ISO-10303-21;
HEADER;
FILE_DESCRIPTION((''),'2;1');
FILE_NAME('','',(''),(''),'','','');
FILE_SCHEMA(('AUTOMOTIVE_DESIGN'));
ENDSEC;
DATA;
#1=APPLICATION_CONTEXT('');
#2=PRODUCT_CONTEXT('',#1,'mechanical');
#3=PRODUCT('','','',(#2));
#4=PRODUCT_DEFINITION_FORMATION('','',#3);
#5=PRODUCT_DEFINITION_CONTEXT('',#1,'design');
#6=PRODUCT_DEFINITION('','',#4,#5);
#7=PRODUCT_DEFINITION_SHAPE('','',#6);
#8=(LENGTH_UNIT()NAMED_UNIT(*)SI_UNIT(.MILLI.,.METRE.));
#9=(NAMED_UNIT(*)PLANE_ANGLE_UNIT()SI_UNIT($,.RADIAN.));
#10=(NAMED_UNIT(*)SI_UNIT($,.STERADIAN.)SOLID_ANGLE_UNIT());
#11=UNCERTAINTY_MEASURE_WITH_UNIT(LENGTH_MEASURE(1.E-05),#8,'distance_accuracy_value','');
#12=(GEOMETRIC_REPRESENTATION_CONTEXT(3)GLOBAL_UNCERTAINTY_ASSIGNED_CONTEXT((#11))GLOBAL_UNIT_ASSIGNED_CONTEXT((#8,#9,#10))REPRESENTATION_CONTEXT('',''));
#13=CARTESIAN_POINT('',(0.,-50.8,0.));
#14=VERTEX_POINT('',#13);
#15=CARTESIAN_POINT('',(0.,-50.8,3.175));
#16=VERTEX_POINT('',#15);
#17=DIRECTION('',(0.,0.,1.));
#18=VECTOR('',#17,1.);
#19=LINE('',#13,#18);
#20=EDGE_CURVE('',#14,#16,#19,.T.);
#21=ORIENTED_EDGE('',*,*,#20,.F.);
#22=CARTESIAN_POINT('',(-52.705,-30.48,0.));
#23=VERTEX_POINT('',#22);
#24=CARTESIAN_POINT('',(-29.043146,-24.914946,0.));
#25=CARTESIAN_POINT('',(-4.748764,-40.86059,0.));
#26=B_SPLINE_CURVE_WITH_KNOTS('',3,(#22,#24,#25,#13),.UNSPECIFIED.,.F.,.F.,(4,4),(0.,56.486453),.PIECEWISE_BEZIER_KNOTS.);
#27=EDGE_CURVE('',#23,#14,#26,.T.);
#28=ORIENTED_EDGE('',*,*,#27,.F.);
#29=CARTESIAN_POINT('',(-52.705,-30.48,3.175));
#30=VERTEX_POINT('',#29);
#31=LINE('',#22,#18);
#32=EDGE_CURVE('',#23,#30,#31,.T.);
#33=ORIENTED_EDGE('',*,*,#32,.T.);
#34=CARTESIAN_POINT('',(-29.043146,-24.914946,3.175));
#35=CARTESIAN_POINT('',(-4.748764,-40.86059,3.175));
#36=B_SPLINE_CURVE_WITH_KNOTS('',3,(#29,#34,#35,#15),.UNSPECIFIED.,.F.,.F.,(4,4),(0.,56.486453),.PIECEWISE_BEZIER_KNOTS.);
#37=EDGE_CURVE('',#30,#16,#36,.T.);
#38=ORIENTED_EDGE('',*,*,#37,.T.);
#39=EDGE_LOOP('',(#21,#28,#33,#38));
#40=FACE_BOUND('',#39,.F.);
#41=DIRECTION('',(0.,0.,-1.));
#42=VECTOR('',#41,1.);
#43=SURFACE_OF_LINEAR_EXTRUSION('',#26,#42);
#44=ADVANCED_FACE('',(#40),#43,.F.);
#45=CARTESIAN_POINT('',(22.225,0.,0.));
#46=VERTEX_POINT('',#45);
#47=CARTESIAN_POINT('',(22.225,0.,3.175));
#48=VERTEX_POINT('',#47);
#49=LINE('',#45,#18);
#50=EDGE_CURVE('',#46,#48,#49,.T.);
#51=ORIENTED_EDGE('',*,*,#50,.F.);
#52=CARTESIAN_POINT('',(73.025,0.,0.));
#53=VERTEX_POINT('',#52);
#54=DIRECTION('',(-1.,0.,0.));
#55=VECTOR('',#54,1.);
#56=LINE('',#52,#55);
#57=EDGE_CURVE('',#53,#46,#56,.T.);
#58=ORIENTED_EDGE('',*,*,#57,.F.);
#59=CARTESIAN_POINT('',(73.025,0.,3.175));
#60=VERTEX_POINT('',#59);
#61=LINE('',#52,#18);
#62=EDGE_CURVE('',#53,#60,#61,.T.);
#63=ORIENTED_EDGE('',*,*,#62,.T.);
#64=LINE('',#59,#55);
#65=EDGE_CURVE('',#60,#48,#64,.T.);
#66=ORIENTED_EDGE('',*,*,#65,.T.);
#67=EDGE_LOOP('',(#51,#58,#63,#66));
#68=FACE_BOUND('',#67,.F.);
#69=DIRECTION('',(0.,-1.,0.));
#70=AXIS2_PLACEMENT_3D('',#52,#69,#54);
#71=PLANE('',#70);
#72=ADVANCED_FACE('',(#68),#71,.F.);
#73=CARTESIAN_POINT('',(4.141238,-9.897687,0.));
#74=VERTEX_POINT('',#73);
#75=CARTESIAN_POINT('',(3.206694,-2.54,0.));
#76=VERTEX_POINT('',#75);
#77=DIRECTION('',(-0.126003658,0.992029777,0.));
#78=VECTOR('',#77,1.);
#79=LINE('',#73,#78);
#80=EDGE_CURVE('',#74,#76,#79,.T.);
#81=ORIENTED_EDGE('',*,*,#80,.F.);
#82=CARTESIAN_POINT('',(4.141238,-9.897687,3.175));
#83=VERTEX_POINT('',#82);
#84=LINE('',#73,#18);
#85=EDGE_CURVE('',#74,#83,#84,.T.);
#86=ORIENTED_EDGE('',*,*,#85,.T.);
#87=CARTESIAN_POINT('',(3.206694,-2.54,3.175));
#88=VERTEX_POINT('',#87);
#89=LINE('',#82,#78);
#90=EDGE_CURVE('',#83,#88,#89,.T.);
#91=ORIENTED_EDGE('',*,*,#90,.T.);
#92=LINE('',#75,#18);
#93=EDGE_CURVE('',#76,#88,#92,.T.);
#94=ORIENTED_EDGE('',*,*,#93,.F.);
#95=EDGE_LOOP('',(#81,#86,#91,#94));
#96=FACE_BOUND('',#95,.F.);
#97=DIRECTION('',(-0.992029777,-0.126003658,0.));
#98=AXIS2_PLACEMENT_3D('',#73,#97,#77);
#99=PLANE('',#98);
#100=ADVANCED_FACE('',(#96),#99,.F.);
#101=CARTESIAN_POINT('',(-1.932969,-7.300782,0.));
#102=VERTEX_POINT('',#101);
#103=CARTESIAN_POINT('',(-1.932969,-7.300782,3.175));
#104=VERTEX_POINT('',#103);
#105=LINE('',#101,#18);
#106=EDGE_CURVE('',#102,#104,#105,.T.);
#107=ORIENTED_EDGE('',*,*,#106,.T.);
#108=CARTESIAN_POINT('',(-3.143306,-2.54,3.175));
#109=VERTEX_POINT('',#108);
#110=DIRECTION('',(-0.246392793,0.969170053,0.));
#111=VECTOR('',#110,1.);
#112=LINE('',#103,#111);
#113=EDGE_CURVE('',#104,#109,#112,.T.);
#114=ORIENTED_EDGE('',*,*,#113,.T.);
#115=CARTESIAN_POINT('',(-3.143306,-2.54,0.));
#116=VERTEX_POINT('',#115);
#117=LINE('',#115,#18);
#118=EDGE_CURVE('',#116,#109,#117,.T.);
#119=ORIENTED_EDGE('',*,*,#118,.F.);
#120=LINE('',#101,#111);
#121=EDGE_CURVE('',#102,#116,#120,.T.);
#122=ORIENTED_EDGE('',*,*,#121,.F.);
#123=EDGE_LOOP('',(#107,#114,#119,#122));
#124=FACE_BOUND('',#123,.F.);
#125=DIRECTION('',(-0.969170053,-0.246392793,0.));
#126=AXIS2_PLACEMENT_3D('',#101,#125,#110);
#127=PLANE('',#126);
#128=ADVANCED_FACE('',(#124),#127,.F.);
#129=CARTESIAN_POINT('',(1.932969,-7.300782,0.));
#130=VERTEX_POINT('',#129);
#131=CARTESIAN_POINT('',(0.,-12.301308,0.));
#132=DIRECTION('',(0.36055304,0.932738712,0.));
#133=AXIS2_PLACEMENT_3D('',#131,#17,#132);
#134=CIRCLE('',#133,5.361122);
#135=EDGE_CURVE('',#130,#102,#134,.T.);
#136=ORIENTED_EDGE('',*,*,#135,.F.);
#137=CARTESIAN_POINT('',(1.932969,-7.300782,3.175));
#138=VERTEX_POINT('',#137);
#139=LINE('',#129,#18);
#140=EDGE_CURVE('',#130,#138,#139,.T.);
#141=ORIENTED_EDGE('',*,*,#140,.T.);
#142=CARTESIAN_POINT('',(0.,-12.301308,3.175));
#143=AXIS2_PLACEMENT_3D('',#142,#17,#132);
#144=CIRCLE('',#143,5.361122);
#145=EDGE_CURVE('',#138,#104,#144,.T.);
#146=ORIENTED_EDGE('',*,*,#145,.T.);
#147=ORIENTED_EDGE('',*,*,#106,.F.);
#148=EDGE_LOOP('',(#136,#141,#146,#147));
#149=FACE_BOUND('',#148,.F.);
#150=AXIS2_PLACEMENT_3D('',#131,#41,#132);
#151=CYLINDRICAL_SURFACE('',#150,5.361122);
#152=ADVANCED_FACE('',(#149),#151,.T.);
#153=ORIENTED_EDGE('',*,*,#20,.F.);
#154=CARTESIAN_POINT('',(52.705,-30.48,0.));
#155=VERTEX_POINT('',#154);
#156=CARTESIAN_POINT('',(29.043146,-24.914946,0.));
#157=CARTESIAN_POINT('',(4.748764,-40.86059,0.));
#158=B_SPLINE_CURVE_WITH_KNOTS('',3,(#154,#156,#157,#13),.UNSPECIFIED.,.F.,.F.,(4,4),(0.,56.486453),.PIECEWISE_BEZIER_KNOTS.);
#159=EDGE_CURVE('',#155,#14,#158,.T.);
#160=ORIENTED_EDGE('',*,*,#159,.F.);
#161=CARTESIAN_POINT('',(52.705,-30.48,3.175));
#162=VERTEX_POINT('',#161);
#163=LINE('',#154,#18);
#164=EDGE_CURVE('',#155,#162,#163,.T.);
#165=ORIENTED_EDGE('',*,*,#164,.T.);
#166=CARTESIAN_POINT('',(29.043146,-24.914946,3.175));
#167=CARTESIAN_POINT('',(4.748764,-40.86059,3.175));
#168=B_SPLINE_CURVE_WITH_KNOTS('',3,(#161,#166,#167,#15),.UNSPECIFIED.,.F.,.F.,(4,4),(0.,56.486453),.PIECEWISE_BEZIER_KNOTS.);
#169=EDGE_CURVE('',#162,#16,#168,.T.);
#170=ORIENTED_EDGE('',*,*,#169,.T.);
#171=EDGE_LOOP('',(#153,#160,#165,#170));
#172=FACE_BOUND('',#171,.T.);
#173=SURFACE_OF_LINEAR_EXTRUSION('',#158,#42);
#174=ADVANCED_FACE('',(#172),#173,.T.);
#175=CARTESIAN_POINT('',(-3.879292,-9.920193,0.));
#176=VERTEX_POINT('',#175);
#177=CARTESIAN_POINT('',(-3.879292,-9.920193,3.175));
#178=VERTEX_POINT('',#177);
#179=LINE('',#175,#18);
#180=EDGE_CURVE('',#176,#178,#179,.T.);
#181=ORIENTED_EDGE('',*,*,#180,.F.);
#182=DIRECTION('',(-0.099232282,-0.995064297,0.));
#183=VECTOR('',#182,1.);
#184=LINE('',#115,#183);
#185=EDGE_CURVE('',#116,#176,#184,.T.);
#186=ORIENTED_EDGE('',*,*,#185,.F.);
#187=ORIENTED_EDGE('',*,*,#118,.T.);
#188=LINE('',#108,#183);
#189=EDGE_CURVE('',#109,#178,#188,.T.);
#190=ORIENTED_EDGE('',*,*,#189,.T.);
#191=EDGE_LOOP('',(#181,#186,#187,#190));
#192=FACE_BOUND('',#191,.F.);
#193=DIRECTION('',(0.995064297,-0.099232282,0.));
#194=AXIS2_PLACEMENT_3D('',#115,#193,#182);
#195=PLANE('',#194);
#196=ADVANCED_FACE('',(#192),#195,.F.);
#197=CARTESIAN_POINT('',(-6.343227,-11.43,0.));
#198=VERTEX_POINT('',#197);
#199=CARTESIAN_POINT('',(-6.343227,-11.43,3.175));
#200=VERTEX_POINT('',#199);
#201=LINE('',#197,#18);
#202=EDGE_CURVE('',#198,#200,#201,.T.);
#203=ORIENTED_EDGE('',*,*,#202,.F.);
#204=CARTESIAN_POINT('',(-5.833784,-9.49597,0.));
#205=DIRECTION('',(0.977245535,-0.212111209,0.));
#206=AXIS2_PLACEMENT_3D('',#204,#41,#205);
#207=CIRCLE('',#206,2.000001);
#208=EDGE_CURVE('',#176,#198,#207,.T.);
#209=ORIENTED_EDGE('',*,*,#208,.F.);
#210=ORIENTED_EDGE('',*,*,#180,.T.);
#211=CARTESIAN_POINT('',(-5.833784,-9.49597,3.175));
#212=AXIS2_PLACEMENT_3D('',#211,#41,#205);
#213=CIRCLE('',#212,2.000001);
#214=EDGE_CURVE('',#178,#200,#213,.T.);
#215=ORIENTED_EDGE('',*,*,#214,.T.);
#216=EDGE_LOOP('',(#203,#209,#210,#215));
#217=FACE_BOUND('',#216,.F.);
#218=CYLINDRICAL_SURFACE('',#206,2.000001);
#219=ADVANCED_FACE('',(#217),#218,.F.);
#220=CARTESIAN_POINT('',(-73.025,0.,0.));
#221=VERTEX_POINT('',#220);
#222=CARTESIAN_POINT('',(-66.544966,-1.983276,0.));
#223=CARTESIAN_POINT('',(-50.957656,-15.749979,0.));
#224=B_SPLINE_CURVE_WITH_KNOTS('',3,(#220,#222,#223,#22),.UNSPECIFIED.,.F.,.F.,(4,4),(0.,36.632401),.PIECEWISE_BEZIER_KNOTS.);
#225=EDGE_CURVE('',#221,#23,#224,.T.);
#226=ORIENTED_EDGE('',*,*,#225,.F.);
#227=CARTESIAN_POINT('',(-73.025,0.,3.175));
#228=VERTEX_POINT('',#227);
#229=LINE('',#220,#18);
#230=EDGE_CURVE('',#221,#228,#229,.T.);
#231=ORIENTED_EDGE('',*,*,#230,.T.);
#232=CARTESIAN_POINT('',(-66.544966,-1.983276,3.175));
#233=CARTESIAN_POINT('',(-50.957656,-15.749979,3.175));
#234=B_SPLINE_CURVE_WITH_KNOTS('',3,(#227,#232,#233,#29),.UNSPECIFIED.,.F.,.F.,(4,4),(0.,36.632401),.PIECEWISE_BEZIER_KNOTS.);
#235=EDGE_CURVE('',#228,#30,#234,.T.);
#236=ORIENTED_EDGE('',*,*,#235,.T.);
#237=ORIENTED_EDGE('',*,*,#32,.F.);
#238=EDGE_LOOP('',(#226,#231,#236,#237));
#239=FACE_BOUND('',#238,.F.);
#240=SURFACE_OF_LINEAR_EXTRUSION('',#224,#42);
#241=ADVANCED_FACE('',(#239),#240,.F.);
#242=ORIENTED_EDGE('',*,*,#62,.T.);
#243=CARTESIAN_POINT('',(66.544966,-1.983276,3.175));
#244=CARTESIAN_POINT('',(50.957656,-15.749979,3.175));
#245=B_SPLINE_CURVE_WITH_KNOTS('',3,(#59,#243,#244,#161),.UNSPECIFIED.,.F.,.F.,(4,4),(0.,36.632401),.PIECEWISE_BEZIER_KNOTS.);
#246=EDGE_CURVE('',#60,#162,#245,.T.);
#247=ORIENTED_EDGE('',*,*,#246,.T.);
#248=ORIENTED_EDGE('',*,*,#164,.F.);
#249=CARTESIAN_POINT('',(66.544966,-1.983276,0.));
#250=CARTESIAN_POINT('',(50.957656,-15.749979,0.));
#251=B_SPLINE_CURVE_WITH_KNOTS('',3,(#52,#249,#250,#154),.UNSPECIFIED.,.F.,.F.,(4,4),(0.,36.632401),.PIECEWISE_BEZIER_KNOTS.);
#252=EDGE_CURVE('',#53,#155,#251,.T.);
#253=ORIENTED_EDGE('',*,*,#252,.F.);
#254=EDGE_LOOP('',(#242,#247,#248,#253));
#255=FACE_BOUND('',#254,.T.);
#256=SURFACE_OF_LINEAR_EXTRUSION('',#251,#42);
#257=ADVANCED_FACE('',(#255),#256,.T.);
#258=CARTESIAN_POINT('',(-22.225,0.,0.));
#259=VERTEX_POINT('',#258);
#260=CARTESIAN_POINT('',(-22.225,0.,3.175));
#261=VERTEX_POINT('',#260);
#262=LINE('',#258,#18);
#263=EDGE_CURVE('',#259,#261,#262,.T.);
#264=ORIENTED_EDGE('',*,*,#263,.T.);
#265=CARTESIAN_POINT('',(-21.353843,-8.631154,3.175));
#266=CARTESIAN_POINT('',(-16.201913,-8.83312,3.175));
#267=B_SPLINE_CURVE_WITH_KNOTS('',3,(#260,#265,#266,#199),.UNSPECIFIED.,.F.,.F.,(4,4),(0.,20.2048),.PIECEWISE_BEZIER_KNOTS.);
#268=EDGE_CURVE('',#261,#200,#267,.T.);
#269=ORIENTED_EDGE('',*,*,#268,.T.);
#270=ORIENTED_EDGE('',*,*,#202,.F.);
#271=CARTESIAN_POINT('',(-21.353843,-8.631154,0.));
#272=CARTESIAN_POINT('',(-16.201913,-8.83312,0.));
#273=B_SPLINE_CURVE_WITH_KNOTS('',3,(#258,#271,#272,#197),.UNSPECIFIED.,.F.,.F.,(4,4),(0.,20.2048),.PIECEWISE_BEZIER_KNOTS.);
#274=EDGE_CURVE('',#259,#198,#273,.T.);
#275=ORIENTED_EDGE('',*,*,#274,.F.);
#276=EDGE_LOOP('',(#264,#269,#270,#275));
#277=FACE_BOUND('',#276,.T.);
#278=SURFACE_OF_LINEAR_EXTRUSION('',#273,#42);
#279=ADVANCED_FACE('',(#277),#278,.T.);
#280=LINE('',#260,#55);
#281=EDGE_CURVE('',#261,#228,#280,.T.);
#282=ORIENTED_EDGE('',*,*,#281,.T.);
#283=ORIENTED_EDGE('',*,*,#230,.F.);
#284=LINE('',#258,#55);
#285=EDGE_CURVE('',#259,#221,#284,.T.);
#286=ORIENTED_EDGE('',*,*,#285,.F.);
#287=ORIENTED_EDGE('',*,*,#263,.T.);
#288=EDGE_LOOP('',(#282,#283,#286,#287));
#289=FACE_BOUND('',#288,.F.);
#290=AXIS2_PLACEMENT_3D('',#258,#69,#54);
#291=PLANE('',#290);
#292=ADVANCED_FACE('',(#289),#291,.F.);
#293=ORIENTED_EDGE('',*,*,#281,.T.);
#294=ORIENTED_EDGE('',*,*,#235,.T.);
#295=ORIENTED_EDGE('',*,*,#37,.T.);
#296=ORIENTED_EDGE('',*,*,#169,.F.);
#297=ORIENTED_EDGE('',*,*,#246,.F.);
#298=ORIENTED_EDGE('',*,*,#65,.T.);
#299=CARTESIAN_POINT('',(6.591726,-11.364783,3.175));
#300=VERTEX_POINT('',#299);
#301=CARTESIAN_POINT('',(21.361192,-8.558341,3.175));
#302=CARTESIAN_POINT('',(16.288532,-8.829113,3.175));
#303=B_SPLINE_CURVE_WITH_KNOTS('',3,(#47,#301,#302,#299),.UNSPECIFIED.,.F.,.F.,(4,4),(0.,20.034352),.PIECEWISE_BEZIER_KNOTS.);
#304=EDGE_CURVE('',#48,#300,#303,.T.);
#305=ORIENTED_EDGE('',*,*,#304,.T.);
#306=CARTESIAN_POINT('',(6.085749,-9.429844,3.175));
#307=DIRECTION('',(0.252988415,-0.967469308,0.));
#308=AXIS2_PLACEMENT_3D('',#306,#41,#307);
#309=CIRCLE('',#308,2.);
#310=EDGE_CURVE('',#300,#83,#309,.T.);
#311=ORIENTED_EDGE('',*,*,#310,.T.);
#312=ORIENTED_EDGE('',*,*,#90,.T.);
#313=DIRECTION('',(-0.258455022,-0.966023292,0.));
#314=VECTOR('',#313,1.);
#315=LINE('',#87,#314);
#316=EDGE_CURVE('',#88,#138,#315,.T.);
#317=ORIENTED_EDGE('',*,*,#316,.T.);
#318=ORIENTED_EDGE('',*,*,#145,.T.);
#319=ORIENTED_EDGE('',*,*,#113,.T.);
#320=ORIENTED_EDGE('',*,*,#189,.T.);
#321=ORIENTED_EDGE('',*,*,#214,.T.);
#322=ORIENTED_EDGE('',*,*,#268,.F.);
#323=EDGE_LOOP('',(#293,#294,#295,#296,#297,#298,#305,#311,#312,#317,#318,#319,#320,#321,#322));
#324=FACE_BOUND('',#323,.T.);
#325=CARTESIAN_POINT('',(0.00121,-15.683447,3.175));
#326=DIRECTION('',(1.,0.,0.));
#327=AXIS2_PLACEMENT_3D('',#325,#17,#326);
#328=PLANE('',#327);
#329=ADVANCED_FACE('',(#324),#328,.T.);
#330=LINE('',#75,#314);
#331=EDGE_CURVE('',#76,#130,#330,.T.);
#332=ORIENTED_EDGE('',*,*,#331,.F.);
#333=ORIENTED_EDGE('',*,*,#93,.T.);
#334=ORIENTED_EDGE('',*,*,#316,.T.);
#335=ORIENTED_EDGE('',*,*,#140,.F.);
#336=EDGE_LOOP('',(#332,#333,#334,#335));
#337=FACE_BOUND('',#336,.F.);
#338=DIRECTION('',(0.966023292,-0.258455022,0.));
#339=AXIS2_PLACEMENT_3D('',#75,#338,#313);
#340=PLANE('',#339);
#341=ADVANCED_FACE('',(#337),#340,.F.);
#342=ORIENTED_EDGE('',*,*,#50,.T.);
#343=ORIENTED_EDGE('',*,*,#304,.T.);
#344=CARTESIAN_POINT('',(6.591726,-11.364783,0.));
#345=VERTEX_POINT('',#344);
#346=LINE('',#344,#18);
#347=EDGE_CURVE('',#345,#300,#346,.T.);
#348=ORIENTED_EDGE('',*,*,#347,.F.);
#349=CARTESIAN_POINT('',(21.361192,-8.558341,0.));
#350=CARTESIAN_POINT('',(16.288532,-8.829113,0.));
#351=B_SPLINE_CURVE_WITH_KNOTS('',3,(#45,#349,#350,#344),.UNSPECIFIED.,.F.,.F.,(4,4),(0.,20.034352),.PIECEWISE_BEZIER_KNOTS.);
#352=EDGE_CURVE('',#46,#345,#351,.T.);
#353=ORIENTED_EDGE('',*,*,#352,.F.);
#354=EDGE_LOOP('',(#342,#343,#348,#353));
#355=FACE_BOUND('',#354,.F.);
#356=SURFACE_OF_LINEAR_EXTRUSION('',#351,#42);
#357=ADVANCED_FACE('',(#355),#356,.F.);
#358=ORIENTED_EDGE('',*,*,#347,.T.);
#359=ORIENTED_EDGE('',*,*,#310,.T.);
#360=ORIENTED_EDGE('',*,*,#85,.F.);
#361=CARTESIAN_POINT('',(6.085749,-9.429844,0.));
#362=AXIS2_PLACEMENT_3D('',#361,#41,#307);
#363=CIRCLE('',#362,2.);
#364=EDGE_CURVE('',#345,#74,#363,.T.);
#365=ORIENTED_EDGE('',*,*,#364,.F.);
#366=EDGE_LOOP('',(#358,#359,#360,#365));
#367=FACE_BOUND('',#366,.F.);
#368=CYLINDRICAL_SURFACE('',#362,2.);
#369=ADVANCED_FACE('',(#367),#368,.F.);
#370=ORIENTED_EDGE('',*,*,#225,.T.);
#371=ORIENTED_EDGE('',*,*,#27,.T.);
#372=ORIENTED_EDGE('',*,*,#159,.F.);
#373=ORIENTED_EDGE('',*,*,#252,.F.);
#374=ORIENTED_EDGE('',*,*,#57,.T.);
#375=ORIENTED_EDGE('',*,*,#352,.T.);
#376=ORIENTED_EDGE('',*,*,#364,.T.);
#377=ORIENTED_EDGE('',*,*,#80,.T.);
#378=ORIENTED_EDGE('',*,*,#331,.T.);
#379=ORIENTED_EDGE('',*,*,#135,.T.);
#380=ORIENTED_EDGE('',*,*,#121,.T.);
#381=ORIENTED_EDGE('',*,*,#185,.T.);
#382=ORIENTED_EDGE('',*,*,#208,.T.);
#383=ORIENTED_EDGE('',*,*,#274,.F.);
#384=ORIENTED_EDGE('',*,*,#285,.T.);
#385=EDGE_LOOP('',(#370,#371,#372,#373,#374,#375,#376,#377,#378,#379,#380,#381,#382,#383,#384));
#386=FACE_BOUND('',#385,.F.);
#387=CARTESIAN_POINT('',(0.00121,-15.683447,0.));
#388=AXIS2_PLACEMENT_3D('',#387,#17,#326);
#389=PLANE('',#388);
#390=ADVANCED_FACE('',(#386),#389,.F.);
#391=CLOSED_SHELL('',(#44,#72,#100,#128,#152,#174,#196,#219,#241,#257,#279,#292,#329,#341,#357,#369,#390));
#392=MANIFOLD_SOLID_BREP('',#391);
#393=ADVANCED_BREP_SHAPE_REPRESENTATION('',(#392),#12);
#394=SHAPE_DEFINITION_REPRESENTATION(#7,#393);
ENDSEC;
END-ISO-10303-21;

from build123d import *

# Parameters (mm, degrees)
F1_DEPTH = 3.175


with BuildPart() as f1:
    # F0 (on Top) → F1 (new body)
    with BuildSketch(Plane.XY):
        with BuildLine():
            Line((-22.225, 0), (-73.025, 0))
            add(Edge.make_bspline(
                [(-73.025, 0), (-66.544966, -1.983276), (-50.957656, -15.749979), (-52.705, -30.48)],
                knots=[0, 0, 0, 0, 36.632401, 36.632401, 36.632401, 36.632401], degree=3))
            add(Edge.make_bspline(
                [(-52.705, -30.48), (-29.043146, -24.914946), (-4.748764, -40.86059), (0, -50.8)],
                knots=[0, 0, 0, 0, 56.486453, 56.486453, 56.486453, 56.486453], degree=3))
            add(Edge.make_bspline(
                [(52.705, -30.48), (29.043146, -24.914946), (4.748764, -40.86059), (0, -50.8)],
                knots=[0, 0, 0, 0, 56.486453, 56.486453, 56.486453, 56.486453], degree=3))
            add(Edge.make_bspline(
                [(73.025, 0), (66.544966, -1.983276), (50.957656, -15.749979), (52.705, -30.48)],
                knots=[0, 0, 0, 0, 36.632401, 36.632401, 36.632401, 36.632401], degree=3))
            Line((73.025, 0), (22.225, 0))
            add(Edge.make_bspline(
                [(22.225, 0), (21.361192, -8.558341), (16.288532, -8.829113), (6.591726, -11.364783)],
                knots=[0, 0, 0, 0, 20.034352, 20.034352, 20.034352, 20.034352], degree=3))
            ThreePointArc((6.591726, -11.364783), (5.058404, -11.145817), (4.141238, -9.897687))
            Line((4.141238, -9.897687), (3.206694, -2.54))
            Line((3.206694, -2.54), (1.932969, -7.300782))
            ThreePointArc((1.932969, -7.300782), (0, -6.940186), (-1.932969, -7.300782))
            Line((-1.932969, -7.300782), (-3.143306, -2.54))
            Line((-3.143306, -2.54), (-3.879292, -9.920193))
            ThreePointArc((-3.879292, -9.920193), (-4.788833, -11.20128), (-6.343227, -11.43))
            add(Edge.make_bspline(
                [(-22.225, 0), (-21.353843, -8.631154), (-16.201913, -8.83312), (-6.343227, -11.43)],
                knots=[0, 0, 0, 0, 20.2048, 20.2048, 20.2048, 20.2048], degree=3))
        make_face()
    extrude(amount=F1_DEPTH)


solid = f1.part
